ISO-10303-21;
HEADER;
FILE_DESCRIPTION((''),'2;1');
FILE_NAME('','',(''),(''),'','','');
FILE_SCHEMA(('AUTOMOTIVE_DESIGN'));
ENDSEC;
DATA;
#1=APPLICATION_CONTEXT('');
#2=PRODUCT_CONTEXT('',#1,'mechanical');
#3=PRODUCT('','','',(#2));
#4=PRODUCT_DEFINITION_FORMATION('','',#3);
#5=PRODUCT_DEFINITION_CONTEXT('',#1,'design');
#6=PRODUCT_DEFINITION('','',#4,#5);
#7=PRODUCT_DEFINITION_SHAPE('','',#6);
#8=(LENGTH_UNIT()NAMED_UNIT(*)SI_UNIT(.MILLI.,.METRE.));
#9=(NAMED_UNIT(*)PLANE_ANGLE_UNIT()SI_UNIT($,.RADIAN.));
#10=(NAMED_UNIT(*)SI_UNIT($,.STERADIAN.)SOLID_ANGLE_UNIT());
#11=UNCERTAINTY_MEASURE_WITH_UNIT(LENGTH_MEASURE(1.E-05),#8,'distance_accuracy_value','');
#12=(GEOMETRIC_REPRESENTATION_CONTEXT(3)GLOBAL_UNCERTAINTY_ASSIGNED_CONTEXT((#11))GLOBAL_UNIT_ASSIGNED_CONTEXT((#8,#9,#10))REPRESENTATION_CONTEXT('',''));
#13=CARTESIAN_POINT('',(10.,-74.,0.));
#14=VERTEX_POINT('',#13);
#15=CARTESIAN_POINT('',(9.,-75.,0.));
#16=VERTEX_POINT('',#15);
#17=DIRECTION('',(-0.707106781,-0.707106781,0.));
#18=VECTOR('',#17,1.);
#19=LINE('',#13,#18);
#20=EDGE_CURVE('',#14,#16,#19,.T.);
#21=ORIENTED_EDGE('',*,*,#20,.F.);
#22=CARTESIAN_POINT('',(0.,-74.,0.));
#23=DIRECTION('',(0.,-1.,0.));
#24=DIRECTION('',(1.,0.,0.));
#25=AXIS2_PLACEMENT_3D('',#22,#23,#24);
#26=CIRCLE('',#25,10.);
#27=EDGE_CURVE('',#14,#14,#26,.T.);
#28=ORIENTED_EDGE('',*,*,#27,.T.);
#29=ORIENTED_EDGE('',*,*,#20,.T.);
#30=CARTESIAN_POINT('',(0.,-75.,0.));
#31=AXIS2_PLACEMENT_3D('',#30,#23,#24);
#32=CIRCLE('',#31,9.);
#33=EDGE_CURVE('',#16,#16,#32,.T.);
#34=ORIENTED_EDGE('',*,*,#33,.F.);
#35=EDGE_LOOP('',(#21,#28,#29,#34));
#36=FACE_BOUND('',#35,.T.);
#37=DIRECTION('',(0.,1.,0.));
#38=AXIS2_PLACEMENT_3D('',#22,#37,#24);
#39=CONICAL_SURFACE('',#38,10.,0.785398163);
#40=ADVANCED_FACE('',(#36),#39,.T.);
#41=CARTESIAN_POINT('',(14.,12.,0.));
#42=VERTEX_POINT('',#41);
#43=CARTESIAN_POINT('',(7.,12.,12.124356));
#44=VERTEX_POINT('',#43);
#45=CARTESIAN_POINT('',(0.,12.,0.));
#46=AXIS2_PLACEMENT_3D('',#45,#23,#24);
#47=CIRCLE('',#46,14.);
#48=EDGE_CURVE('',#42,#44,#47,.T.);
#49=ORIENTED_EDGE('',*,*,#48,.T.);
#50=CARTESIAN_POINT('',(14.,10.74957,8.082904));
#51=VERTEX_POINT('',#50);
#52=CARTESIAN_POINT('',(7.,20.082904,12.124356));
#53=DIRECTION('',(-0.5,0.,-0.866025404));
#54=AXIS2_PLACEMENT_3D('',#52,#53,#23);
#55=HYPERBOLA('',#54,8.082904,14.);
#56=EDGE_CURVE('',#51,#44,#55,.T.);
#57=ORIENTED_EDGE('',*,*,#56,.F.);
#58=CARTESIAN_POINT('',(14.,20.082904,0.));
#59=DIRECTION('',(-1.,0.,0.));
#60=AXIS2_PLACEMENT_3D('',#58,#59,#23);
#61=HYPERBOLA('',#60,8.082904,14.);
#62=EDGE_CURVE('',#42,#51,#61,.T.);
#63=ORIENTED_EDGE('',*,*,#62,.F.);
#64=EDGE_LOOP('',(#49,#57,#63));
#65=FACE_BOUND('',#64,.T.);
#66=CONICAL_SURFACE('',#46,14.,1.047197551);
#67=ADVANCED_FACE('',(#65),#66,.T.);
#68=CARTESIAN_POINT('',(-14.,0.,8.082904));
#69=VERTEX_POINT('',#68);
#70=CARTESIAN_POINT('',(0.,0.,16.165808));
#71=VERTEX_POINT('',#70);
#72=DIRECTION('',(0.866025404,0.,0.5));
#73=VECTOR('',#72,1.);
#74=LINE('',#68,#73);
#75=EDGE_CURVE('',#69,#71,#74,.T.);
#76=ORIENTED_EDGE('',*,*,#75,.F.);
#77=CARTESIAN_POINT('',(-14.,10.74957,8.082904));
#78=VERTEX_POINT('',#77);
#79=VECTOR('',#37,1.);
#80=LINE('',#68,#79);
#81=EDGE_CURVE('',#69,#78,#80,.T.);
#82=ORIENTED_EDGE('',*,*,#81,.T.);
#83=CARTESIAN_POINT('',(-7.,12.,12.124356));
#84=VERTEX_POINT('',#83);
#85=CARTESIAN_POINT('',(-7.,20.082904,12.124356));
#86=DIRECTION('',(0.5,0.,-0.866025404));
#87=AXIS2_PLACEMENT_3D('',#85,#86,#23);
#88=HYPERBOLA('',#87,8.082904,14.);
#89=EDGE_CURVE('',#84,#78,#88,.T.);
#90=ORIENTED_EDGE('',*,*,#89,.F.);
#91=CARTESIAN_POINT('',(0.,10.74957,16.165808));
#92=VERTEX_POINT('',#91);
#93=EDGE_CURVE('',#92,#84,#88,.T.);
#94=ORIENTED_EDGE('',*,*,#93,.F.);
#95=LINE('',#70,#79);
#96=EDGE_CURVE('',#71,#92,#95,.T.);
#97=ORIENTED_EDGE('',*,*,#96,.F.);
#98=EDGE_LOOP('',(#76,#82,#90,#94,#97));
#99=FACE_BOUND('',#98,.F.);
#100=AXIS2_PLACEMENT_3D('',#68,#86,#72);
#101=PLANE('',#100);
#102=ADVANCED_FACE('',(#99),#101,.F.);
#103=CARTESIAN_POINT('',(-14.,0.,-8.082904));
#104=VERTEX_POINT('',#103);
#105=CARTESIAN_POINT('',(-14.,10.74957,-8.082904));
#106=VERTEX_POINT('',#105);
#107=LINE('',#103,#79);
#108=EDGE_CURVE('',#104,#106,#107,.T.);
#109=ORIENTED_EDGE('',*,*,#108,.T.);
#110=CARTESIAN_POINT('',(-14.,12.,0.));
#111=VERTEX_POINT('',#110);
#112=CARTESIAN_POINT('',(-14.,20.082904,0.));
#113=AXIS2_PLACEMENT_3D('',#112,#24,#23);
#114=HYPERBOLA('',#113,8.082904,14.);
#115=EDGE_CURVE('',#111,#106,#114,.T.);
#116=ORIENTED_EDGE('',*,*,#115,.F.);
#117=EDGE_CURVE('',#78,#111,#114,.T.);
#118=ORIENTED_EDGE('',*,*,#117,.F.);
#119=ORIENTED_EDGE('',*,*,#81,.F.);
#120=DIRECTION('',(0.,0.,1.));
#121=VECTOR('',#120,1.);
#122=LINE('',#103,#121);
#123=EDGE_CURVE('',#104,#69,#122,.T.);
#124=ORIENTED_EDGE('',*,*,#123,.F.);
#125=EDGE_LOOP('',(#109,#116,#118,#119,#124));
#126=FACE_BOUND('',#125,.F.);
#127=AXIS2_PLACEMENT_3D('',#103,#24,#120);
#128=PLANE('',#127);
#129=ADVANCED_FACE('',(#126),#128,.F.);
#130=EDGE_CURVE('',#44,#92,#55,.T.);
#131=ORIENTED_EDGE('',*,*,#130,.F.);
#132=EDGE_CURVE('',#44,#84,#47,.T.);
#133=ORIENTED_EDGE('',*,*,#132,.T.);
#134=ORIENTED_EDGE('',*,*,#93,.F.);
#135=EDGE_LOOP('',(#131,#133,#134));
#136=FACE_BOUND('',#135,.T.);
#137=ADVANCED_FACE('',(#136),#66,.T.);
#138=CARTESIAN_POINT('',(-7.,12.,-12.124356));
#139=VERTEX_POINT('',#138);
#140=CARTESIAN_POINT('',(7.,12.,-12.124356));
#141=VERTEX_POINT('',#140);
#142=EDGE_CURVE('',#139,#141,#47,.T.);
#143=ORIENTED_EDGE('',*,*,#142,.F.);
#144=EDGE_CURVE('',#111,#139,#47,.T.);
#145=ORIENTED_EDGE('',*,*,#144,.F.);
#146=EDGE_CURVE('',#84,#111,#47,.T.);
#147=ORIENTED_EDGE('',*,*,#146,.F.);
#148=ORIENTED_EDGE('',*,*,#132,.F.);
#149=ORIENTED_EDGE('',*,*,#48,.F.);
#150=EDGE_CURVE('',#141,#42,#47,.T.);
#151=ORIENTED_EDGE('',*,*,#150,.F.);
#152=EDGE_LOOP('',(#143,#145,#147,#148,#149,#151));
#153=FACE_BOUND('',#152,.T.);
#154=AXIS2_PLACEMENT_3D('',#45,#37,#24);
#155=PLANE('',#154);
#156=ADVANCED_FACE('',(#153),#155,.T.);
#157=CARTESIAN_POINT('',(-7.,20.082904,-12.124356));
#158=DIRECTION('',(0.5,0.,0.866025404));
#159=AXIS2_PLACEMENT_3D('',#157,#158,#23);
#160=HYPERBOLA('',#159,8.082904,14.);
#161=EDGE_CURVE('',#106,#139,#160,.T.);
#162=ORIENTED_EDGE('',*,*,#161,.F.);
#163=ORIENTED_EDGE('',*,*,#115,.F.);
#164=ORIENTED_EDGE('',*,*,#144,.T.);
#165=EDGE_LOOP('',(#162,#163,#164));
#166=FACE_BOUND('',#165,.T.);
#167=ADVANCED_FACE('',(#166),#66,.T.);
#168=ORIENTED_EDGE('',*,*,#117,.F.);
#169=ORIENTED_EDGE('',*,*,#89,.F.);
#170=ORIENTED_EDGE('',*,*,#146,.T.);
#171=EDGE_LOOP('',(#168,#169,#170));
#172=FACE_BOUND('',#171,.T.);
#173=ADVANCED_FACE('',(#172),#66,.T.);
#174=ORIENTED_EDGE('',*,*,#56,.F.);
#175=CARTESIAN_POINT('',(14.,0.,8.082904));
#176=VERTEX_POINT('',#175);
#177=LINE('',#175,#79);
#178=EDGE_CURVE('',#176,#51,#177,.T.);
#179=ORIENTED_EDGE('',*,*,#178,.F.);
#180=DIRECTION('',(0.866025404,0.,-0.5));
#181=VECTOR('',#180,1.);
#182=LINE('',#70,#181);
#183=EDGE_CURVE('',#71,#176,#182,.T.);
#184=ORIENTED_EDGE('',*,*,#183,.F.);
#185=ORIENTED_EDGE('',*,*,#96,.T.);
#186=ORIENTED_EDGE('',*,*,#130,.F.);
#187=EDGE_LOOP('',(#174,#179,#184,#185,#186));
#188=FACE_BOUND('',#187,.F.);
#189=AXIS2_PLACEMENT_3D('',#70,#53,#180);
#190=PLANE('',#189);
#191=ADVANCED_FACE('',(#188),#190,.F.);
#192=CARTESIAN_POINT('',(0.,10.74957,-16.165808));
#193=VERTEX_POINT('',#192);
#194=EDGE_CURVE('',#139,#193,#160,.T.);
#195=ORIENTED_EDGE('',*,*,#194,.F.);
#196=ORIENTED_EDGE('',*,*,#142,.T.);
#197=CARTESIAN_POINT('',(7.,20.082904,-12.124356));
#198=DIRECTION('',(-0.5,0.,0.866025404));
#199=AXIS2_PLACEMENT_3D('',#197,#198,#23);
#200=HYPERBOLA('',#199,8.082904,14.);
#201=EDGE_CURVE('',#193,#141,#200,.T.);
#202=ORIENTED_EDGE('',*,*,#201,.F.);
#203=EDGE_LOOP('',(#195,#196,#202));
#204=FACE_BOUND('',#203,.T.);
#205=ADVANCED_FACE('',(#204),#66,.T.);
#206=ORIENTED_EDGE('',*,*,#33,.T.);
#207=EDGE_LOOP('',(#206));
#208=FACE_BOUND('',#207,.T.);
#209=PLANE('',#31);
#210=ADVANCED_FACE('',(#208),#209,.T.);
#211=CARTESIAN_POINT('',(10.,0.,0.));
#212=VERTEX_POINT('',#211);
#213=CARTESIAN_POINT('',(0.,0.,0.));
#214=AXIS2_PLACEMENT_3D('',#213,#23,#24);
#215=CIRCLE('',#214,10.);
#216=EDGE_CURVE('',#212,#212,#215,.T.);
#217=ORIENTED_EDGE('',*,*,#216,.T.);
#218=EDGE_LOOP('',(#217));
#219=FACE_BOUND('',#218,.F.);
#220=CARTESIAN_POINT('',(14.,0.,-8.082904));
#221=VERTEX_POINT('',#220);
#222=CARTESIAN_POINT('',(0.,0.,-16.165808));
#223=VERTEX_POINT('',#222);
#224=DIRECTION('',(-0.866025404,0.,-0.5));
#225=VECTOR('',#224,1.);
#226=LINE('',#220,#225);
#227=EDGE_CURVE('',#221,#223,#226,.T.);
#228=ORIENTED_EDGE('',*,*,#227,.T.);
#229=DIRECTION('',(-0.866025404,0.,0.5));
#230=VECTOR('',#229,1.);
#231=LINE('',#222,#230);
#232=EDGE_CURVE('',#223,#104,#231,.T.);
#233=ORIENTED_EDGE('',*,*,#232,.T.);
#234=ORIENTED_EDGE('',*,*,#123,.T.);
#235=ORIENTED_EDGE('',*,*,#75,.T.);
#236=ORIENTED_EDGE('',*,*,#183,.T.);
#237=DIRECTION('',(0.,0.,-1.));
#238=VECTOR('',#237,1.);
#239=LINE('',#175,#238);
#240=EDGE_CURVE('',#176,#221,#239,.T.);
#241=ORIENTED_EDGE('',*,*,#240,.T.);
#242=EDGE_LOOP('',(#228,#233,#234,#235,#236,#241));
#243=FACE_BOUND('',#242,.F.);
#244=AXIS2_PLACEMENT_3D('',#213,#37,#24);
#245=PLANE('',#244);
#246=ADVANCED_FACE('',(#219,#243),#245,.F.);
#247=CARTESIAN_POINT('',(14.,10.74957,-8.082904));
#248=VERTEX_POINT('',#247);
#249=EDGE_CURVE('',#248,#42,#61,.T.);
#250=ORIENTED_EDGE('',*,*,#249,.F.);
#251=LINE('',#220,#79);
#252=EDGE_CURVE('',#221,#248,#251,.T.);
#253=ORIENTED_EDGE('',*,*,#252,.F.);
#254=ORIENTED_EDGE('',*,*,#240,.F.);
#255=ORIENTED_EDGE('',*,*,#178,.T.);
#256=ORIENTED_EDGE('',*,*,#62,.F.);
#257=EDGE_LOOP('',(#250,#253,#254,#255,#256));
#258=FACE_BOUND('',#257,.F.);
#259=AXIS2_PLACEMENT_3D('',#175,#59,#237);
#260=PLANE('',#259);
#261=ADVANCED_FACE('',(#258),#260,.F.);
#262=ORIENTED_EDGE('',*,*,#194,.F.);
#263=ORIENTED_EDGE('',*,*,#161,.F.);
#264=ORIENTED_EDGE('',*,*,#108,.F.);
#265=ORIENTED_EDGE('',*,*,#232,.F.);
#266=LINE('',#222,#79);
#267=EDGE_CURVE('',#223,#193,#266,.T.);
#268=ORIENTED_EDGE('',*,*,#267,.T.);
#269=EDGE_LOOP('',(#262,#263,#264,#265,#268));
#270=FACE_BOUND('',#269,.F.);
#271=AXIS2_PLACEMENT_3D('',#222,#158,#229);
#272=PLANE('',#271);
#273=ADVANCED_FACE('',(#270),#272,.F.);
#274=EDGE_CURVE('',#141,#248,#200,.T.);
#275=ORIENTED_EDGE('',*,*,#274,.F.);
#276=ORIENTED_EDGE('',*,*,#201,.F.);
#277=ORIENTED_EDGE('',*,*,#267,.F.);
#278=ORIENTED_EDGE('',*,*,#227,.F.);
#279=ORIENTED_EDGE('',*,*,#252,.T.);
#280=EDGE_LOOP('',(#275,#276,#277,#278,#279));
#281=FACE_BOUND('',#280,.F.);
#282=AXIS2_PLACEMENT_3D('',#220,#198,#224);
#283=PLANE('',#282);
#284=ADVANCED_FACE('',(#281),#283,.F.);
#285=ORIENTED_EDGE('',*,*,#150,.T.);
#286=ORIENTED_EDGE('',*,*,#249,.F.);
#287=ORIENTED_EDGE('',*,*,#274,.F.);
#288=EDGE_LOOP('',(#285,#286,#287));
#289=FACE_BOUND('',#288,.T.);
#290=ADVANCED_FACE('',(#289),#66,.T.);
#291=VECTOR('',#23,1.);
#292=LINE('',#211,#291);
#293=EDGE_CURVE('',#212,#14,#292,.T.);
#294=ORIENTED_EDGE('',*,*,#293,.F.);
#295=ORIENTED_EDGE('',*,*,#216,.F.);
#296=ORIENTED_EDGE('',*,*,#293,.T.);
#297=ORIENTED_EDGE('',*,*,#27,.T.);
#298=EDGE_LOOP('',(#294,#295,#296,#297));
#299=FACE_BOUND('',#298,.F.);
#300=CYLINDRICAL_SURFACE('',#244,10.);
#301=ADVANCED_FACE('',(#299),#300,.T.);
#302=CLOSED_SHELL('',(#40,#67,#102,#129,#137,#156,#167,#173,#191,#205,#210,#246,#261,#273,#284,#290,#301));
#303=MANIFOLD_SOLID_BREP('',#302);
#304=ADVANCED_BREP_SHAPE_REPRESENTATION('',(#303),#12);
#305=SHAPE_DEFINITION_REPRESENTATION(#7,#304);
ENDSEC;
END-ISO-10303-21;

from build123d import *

# Parameters (mm, degrees)
BOSS_EXTRUDE1_DEPTH = 12
SKETCH2_OUTSIDE_W   = 80.454
SKETCH2_OUTSIDE_H   = 84.786
SKETCH2_OUTSIDE_R   = 14
CUT_EXTRUDE1_DEPTH  = 12
CUT_EXTRUDE1_TAPER  = 60
SKETCH3_R           = 10
BOSS_EXTRUDE2_DEPTH = 75
CHAMFER1_SIZE       = 1


with BuildPart() as part:
    # Sketch1 → Boss-Extrude1 (new body)
    with BuildSketch(Plane(origin=(0, 0, 0), x_dir=(1, 0, 0), z_dir=(0, 1, 0))):
        Polygon((0, -16.165807537), (14, -8.082903769), (14, 8.082903769), (0, 16.165807537), (-14, 8.082903769), (-14, -8.082903769), align=None)
    extrude(amount=BOSS_EXTRUDE1_DEPTH)

    # Sketch2 outside → Cut-Extrude1 (cut)
    with BuildSketch(Plane(origin=(0, 12, 0), x_dir=(1, 0, 0), z_dir=(0, 1, 0))):
        Rectangle(SKETCH2_OUTSIDE_W, SKETCH2_OUTSIDE_H)
        Circle(SKETCH2_OUTSIDE_R, mode=Mode.SUBTRACT)
    extrude(amount=-CUT_EXTRUDE1_DEPTH, taper=CUT_EXTRUDE1_TAPER, mode=Mode.SUBTRACT)

    # Sketch3 → Boss-Extrude2 (add)
    with BuildSketch(Plane.XZ):
        Circle(SKETCH3_R)
    extrude(amount=BOSS_EXTRUDE2_DEPTH)

    # Chamfer1
    chamfer1_edges = [part.edges().sort_by_distance(p)[0] for p in [
        (-10, -75, 0),
    ]]
    chamfer(chamfer1_edges, length=CHAMFER1_SIZE)


solid = part.part
